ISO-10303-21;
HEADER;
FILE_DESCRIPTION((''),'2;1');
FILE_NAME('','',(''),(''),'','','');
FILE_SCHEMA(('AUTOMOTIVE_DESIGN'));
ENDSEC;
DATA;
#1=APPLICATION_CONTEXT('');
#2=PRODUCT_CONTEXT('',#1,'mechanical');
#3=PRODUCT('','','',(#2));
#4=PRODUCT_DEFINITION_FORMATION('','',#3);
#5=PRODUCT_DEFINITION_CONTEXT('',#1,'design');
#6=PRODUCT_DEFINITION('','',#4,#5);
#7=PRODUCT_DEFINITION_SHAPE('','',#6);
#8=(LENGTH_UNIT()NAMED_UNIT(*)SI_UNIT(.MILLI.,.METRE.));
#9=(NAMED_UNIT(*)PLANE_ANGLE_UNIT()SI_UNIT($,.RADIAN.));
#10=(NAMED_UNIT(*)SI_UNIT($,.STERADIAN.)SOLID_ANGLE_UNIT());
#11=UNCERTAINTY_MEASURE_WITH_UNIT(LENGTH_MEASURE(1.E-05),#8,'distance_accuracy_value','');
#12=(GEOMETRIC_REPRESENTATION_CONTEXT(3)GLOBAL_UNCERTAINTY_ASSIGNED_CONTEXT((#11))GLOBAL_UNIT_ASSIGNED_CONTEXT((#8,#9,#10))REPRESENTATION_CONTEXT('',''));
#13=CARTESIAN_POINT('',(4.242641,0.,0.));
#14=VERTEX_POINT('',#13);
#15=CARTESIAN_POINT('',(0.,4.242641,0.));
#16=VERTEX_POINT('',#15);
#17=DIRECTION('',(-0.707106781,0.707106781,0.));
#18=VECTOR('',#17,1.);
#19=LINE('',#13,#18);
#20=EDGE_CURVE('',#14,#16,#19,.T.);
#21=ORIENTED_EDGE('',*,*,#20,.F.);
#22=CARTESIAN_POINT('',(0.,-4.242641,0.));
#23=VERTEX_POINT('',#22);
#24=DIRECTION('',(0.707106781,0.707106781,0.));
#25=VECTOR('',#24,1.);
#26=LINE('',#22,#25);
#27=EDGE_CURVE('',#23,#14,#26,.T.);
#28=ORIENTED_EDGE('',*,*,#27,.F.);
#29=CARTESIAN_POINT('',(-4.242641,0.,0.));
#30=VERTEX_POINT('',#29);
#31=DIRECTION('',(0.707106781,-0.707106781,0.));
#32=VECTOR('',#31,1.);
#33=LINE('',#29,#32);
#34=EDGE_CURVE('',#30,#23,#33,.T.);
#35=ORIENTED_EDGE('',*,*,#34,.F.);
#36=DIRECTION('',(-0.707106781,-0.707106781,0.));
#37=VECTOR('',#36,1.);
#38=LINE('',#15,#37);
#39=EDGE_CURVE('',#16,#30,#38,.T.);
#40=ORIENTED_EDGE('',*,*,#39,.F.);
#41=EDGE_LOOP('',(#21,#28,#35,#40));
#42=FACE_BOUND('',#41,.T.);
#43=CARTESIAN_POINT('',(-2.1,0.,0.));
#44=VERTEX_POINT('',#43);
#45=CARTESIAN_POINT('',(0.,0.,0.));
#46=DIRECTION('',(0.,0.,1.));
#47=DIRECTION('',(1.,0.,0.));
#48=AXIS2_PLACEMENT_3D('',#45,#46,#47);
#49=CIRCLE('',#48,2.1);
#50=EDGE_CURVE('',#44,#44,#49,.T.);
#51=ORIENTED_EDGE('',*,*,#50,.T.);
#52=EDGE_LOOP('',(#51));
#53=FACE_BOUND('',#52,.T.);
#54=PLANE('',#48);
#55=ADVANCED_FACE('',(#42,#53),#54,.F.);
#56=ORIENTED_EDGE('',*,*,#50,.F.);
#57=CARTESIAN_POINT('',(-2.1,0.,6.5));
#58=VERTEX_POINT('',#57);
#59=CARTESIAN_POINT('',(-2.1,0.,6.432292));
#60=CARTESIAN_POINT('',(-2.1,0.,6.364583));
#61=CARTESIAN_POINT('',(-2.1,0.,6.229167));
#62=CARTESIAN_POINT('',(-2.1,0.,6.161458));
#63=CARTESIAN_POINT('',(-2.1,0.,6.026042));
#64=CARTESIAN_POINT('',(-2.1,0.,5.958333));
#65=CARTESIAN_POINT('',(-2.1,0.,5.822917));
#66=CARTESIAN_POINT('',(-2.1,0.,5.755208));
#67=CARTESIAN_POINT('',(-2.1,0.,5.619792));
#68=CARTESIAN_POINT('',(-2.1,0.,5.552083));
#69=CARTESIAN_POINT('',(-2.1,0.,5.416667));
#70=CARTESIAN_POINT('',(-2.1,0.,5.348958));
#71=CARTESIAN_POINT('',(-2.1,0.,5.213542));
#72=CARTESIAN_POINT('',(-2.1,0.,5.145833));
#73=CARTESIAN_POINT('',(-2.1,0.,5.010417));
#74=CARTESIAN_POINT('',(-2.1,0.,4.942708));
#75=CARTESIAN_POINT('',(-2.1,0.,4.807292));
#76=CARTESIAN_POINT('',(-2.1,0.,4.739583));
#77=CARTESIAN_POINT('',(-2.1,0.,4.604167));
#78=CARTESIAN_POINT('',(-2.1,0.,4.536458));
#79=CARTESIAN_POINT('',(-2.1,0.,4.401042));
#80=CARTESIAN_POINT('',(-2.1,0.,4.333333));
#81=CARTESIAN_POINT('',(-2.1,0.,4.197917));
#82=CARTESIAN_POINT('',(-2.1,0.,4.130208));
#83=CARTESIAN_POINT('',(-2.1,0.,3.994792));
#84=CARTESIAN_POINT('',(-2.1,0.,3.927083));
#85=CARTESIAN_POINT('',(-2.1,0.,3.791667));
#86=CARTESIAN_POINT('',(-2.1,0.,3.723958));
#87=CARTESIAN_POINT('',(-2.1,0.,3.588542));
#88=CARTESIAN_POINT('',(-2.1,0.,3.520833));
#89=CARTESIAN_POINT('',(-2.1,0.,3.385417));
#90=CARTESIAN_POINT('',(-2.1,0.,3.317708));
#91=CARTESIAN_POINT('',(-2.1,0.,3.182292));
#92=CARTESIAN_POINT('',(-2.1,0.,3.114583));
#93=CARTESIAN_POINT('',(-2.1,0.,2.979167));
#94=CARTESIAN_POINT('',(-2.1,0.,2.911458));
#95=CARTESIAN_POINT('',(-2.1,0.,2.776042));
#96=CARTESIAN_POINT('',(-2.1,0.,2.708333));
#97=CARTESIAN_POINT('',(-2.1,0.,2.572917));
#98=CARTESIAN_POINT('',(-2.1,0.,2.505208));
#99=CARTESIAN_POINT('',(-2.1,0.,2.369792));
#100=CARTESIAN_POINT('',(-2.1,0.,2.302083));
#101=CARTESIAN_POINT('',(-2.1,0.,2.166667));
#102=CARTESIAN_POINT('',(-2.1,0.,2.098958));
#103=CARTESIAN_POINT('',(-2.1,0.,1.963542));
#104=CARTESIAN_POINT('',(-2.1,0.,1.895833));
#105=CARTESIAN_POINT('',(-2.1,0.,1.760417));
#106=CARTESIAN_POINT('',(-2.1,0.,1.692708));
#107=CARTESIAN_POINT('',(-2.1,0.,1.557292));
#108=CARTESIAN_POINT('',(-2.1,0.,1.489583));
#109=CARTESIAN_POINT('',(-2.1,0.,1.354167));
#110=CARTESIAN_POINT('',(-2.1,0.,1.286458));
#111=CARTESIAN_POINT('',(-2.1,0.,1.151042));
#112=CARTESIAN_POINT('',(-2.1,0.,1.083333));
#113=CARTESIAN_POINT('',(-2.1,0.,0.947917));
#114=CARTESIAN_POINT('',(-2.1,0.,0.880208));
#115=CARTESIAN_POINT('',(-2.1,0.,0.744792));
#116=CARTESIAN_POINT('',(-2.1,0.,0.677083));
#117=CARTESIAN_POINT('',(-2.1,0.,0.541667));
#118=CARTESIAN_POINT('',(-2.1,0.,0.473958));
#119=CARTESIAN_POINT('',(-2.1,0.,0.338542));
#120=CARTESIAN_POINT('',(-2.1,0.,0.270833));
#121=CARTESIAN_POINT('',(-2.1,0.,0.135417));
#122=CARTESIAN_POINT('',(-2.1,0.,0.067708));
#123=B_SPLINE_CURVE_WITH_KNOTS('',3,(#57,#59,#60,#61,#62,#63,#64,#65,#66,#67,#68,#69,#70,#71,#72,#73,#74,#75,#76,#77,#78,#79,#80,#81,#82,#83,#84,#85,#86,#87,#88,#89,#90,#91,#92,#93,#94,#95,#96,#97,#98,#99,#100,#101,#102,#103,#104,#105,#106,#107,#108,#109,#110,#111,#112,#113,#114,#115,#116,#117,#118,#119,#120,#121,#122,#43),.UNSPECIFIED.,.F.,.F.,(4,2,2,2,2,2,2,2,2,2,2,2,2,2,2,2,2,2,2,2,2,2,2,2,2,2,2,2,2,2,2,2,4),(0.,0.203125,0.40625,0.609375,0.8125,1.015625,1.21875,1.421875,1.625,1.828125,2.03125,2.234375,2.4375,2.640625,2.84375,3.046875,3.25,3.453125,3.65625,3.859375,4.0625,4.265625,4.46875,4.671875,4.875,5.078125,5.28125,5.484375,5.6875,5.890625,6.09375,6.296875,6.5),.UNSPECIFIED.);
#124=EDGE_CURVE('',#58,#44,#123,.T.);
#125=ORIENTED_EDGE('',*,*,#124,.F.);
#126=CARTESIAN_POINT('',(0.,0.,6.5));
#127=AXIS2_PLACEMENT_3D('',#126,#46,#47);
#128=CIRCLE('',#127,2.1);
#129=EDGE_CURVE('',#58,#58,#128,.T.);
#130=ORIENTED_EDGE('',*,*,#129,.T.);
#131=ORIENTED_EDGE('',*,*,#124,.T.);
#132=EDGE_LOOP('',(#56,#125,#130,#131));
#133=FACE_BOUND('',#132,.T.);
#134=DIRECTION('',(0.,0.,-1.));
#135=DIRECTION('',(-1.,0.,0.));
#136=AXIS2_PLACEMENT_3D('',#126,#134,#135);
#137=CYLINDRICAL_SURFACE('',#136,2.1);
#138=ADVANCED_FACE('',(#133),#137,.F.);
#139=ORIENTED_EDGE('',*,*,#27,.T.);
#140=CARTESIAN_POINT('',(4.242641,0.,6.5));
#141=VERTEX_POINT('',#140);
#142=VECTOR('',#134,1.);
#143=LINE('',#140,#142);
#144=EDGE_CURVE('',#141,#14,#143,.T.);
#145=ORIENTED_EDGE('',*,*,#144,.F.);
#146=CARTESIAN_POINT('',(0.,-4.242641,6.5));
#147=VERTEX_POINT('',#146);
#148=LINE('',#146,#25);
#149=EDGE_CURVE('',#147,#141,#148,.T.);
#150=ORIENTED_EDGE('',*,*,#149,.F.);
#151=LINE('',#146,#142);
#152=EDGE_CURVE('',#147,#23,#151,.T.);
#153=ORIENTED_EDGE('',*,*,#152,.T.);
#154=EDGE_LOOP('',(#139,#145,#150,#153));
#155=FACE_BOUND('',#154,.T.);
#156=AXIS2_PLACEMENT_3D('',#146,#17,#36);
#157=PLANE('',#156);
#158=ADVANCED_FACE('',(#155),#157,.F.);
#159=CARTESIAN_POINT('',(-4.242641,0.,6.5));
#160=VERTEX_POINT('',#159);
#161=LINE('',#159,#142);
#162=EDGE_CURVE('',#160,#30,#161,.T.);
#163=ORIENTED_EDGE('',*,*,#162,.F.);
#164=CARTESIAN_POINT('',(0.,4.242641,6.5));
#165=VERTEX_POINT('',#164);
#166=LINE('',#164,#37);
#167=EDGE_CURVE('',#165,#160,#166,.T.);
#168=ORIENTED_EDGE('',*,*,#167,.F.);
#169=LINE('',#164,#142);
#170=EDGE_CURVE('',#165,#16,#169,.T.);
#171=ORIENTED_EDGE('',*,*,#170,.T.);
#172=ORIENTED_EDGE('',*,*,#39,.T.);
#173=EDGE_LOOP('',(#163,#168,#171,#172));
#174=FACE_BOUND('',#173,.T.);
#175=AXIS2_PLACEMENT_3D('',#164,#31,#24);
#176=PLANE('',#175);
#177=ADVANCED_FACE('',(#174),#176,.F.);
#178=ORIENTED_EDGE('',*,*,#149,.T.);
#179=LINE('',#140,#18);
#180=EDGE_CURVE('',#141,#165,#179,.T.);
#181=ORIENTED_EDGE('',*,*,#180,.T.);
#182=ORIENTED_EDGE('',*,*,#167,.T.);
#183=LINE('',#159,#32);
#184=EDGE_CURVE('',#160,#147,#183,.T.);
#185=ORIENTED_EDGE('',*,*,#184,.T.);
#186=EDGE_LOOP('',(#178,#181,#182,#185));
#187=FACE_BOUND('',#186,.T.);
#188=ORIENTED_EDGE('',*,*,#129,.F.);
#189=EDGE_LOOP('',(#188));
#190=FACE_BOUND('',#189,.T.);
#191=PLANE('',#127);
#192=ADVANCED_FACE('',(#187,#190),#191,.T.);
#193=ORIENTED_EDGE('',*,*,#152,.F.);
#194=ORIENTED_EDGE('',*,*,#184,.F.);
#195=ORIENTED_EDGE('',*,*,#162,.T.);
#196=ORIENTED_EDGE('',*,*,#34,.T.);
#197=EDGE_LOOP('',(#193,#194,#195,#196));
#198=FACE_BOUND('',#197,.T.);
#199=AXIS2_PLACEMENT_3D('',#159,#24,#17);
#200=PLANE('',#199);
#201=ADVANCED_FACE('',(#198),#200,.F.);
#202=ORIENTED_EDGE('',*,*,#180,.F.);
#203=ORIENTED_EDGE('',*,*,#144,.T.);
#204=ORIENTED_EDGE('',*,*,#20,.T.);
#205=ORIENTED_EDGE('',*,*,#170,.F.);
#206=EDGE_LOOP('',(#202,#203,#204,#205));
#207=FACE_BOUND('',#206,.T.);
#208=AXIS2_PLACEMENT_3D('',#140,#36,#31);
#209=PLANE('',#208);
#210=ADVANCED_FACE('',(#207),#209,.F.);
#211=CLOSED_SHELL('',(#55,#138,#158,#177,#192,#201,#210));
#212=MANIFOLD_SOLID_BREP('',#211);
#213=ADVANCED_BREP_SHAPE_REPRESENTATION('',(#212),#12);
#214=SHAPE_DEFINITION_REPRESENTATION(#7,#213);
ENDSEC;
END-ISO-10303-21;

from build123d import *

# Parameters (mm, degrees)
SKETCH_1_R      = 2.1
EXTRUDE_1_DEPTH = 6.5


with BuildPart() as part:
    # ｽｹｯﾁ1 → ﾎﾞｽ - 押し出し1 (new body)
    with BuildSketch(Plane.XY):
        Polygon((4.242640687, 0), (0, 4.242640687), (-4.242640687, 0), (0, -4.242640687), align=None)
        with Locations(Location((0, 0, 0), (0, 0, 180))):
            Circle(SKETCH_1_R, mode=Mode.SUBTRACT)
    extrude(amount=EXTRUDE_1_DEPTH)


solid = part.part
